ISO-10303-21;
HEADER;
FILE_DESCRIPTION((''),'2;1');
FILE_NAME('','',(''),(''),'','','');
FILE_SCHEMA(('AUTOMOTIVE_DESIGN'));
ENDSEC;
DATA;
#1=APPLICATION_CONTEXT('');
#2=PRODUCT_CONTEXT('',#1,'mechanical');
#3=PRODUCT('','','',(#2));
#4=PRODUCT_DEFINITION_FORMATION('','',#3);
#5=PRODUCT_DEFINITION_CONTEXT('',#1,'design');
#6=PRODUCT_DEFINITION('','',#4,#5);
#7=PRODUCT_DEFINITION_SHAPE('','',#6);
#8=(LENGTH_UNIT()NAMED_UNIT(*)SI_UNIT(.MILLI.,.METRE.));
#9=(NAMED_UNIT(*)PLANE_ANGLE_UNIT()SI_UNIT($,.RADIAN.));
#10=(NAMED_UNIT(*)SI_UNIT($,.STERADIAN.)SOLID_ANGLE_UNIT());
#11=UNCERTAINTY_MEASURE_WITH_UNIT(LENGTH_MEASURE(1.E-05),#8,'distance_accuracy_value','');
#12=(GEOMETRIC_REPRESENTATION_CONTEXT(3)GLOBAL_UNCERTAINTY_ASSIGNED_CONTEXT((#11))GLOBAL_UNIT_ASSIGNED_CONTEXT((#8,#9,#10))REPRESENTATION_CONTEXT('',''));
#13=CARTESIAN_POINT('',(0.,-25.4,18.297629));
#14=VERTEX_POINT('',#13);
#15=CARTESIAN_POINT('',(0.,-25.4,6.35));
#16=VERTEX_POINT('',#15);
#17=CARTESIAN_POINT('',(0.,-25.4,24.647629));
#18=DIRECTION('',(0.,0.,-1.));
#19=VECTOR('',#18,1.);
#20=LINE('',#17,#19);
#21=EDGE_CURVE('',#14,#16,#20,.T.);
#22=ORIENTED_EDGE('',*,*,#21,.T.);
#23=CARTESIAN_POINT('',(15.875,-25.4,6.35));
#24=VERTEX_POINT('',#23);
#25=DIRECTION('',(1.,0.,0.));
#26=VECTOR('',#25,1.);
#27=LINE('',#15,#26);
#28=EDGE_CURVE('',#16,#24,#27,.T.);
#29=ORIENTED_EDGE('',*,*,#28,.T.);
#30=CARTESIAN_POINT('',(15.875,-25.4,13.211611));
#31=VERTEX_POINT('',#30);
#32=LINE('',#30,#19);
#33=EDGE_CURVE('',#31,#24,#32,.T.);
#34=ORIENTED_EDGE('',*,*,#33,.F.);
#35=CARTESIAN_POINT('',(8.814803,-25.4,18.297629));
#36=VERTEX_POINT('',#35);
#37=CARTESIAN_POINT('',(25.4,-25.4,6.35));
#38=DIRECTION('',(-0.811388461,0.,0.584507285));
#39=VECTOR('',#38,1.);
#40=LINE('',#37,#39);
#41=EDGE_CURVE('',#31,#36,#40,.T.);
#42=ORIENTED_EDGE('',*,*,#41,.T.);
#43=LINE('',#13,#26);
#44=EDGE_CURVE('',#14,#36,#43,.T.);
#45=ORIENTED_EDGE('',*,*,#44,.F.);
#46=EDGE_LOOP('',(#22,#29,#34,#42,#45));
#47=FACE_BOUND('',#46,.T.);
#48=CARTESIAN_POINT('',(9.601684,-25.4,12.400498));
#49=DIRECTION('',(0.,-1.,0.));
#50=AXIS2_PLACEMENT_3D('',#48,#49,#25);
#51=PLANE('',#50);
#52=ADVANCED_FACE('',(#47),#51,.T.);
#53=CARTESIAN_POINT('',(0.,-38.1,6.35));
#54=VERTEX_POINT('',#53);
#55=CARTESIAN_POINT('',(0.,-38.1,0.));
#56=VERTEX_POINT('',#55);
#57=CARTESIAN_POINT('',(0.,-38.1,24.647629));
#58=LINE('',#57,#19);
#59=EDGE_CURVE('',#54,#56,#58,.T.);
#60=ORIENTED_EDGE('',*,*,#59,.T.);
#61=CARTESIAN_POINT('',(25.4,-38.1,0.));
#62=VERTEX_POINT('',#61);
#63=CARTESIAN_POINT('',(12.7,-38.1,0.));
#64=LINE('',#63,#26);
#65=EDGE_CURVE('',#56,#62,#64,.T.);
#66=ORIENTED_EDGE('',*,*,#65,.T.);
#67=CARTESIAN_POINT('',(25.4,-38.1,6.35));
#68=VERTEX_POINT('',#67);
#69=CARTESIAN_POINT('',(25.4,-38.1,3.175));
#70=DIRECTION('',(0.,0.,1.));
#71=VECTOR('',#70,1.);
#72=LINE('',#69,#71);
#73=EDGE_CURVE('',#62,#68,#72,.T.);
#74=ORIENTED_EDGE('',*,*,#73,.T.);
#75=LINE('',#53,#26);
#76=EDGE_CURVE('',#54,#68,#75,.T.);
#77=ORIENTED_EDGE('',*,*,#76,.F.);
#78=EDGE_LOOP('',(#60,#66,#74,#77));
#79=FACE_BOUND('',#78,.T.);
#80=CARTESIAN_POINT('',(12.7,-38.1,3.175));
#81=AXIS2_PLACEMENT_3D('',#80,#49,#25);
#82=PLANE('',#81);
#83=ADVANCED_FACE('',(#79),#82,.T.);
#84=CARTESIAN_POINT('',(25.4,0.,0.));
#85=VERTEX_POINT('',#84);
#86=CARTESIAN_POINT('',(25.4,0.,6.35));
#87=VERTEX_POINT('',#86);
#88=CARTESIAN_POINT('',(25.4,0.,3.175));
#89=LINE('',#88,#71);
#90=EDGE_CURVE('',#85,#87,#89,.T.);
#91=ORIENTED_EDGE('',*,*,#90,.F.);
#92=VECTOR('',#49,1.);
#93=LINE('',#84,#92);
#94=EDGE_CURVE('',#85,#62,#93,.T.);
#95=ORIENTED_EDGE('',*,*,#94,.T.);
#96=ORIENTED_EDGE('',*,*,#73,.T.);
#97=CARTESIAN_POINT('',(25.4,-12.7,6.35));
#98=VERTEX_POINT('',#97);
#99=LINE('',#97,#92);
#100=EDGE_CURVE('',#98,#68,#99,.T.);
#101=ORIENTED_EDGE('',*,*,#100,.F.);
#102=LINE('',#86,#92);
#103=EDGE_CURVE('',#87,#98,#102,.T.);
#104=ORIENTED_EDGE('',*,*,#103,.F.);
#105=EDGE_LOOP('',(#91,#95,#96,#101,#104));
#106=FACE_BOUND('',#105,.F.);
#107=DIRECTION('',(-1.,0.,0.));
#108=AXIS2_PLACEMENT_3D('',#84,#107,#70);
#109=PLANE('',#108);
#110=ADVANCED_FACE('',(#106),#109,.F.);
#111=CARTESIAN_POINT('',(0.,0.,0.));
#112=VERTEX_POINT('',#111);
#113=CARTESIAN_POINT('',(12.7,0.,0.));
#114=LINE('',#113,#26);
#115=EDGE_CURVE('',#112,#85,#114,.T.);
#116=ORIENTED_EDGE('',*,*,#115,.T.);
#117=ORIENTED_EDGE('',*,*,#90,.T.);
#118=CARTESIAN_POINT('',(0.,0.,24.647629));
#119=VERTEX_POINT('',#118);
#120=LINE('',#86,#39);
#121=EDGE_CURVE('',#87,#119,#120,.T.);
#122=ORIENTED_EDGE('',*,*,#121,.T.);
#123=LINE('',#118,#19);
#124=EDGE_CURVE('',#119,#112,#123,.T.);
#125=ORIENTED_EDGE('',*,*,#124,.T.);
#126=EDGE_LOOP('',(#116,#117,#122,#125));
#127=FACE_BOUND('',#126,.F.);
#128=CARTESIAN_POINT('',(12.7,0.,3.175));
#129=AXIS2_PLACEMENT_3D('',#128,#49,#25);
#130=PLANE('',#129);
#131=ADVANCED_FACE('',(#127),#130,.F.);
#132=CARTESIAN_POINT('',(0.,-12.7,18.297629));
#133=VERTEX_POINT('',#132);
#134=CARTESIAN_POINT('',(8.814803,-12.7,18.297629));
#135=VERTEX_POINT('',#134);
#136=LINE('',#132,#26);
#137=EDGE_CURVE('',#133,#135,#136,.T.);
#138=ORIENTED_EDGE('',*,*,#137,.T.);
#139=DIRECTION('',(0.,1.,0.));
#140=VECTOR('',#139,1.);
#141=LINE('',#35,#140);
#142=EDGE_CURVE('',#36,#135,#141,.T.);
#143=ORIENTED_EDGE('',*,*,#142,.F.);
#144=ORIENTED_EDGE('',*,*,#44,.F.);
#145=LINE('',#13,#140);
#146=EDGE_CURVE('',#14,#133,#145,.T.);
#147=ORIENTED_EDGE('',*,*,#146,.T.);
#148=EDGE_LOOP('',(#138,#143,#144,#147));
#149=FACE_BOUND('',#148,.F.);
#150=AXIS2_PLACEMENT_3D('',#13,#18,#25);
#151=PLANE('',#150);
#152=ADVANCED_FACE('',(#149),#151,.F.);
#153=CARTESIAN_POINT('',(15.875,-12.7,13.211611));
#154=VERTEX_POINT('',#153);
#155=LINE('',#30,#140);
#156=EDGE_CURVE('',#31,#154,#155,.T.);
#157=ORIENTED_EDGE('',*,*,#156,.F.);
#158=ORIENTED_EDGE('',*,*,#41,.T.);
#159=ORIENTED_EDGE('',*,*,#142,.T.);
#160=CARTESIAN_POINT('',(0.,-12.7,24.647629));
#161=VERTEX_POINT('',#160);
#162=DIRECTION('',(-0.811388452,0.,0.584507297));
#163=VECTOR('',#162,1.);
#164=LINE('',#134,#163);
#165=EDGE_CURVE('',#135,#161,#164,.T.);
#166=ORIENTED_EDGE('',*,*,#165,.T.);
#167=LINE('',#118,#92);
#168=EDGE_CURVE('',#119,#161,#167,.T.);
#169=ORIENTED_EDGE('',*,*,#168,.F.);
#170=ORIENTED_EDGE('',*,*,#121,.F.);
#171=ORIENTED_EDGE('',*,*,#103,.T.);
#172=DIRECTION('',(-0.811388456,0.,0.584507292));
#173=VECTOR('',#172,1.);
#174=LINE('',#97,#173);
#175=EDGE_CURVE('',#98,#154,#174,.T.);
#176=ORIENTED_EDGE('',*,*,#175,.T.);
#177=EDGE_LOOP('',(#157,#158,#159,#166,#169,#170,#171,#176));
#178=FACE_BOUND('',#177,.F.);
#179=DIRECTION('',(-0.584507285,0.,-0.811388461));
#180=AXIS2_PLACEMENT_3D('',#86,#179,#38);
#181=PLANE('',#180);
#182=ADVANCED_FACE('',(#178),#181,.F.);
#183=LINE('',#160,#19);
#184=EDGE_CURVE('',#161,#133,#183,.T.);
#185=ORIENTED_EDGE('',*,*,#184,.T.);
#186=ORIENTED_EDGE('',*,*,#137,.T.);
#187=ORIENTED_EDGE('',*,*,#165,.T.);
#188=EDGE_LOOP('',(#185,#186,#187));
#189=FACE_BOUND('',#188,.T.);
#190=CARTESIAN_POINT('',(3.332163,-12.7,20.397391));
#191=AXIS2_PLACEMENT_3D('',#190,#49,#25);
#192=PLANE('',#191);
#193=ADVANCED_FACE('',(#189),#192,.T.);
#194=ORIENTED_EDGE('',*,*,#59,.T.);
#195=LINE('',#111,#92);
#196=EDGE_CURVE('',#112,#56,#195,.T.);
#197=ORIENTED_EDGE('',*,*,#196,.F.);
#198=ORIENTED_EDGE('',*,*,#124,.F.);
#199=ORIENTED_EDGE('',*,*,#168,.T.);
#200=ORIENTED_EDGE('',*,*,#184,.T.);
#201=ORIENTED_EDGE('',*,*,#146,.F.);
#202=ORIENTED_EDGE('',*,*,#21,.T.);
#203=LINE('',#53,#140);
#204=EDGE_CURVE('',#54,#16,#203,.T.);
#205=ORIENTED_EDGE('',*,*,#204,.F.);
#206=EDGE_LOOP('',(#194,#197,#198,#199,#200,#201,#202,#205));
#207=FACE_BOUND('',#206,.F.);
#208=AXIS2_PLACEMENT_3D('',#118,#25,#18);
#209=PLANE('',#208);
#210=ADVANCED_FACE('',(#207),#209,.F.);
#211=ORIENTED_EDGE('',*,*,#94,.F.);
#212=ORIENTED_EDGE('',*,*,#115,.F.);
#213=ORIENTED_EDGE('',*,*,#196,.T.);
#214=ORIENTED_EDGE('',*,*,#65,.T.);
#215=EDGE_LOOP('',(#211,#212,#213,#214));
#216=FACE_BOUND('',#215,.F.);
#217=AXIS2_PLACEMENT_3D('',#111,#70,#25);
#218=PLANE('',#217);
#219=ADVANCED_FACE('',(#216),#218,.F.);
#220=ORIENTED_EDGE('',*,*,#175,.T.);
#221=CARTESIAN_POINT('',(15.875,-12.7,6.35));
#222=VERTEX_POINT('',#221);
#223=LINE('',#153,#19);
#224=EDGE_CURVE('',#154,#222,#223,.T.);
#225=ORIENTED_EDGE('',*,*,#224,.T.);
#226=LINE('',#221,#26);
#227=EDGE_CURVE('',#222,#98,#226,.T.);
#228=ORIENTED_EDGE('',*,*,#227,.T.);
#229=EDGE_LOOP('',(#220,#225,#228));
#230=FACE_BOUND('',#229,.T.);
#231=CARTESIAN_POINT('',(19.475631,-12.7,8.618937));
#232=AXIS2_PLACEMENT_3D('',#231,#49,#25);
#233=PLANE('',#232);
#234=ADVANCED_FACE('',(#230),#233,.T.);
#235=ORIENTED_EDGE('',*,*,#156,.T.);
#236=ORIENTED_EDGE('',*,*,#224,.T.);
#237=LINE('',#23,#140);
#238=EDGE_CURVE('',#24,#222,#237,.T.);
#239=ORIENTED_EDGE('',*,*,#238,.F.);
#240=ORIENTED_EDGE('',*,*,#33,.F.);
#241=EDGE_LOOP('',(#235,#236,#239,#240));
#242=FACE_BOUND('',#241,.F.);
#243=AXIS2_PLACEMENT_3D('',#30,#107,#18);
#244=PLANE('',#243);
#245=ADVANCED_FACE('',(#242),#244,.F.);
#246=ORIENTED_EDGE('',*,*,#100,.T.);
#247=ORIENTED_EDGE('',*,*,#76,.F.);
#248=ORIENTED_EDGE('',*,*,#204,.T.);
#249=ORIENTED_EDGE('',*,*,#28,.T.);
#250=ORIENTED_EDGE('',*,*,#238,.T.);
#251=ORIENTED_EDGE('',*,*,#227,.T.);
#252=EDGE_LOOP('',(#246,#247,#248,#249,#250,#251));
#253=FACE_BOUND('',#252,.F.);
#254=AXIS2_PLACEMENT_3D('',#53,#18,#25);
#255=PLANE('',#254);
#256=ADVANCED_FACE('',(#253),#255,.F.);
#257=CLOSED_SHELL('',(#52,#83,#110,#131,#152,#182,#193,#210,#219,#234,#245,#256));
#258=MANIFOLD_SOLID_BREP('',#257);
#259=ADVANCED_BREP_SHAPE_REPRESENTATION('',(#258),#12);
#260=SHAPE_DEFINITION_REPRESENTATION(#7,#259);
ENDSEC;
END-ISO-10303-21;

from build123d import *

# Parameters (mm, degrees)
F0_W     = 25.4
F0_H     = 6.35
F1_DEPTH = 38.1
F3_DEPTH = 12.7
F5_DEPTH = 12.7
F7_DEPTH = 12.7


with BuildPart() as f1:
    # F0 (on Front) → F1 (new body)
    with BuildSketch(Plane.XZ):
        with Locations((12.7, 3.175)):
            Rectangle(F0_W, F0_H)
        Polygon((0, 24.647629), (0, 6.35), (25.4, 6.35), align=None)
    extrude(amount=F1_DEPTH)

    # F2 (on face) → F3 (cut)
    with BuildSketch(Plane.XZ.offset(38.1)):
        Polygon((0, 6.35), (25.4, 6.35), (0, 24.647629), align=None)
    extrude(amount=-F3_DEPTH, mode=Mode.SUBTRACT)

    # F4 (on face) → F5 (cut)
    with BuildSketch(Plane.XZ.offset(25.4)):
        Polygon((8.814803, 18.297629), (0, 24.647629), (0, 18.297629), align=None)
    extrude(amount=-F5_DEPTH, mode=Mode.SUBTRACT)

    # F6 (on face) → F7 (cut)
    with BuildSketch(Plane.XZ.offset(25.4)):
        Polygon((15.875, 6.35), (25.4, 6.35), (15.875, 13.211611), align=None)
    extrude(amount=-F7_DEPTH, mode=Mode.SUBTRACT)


solid = f1.part
